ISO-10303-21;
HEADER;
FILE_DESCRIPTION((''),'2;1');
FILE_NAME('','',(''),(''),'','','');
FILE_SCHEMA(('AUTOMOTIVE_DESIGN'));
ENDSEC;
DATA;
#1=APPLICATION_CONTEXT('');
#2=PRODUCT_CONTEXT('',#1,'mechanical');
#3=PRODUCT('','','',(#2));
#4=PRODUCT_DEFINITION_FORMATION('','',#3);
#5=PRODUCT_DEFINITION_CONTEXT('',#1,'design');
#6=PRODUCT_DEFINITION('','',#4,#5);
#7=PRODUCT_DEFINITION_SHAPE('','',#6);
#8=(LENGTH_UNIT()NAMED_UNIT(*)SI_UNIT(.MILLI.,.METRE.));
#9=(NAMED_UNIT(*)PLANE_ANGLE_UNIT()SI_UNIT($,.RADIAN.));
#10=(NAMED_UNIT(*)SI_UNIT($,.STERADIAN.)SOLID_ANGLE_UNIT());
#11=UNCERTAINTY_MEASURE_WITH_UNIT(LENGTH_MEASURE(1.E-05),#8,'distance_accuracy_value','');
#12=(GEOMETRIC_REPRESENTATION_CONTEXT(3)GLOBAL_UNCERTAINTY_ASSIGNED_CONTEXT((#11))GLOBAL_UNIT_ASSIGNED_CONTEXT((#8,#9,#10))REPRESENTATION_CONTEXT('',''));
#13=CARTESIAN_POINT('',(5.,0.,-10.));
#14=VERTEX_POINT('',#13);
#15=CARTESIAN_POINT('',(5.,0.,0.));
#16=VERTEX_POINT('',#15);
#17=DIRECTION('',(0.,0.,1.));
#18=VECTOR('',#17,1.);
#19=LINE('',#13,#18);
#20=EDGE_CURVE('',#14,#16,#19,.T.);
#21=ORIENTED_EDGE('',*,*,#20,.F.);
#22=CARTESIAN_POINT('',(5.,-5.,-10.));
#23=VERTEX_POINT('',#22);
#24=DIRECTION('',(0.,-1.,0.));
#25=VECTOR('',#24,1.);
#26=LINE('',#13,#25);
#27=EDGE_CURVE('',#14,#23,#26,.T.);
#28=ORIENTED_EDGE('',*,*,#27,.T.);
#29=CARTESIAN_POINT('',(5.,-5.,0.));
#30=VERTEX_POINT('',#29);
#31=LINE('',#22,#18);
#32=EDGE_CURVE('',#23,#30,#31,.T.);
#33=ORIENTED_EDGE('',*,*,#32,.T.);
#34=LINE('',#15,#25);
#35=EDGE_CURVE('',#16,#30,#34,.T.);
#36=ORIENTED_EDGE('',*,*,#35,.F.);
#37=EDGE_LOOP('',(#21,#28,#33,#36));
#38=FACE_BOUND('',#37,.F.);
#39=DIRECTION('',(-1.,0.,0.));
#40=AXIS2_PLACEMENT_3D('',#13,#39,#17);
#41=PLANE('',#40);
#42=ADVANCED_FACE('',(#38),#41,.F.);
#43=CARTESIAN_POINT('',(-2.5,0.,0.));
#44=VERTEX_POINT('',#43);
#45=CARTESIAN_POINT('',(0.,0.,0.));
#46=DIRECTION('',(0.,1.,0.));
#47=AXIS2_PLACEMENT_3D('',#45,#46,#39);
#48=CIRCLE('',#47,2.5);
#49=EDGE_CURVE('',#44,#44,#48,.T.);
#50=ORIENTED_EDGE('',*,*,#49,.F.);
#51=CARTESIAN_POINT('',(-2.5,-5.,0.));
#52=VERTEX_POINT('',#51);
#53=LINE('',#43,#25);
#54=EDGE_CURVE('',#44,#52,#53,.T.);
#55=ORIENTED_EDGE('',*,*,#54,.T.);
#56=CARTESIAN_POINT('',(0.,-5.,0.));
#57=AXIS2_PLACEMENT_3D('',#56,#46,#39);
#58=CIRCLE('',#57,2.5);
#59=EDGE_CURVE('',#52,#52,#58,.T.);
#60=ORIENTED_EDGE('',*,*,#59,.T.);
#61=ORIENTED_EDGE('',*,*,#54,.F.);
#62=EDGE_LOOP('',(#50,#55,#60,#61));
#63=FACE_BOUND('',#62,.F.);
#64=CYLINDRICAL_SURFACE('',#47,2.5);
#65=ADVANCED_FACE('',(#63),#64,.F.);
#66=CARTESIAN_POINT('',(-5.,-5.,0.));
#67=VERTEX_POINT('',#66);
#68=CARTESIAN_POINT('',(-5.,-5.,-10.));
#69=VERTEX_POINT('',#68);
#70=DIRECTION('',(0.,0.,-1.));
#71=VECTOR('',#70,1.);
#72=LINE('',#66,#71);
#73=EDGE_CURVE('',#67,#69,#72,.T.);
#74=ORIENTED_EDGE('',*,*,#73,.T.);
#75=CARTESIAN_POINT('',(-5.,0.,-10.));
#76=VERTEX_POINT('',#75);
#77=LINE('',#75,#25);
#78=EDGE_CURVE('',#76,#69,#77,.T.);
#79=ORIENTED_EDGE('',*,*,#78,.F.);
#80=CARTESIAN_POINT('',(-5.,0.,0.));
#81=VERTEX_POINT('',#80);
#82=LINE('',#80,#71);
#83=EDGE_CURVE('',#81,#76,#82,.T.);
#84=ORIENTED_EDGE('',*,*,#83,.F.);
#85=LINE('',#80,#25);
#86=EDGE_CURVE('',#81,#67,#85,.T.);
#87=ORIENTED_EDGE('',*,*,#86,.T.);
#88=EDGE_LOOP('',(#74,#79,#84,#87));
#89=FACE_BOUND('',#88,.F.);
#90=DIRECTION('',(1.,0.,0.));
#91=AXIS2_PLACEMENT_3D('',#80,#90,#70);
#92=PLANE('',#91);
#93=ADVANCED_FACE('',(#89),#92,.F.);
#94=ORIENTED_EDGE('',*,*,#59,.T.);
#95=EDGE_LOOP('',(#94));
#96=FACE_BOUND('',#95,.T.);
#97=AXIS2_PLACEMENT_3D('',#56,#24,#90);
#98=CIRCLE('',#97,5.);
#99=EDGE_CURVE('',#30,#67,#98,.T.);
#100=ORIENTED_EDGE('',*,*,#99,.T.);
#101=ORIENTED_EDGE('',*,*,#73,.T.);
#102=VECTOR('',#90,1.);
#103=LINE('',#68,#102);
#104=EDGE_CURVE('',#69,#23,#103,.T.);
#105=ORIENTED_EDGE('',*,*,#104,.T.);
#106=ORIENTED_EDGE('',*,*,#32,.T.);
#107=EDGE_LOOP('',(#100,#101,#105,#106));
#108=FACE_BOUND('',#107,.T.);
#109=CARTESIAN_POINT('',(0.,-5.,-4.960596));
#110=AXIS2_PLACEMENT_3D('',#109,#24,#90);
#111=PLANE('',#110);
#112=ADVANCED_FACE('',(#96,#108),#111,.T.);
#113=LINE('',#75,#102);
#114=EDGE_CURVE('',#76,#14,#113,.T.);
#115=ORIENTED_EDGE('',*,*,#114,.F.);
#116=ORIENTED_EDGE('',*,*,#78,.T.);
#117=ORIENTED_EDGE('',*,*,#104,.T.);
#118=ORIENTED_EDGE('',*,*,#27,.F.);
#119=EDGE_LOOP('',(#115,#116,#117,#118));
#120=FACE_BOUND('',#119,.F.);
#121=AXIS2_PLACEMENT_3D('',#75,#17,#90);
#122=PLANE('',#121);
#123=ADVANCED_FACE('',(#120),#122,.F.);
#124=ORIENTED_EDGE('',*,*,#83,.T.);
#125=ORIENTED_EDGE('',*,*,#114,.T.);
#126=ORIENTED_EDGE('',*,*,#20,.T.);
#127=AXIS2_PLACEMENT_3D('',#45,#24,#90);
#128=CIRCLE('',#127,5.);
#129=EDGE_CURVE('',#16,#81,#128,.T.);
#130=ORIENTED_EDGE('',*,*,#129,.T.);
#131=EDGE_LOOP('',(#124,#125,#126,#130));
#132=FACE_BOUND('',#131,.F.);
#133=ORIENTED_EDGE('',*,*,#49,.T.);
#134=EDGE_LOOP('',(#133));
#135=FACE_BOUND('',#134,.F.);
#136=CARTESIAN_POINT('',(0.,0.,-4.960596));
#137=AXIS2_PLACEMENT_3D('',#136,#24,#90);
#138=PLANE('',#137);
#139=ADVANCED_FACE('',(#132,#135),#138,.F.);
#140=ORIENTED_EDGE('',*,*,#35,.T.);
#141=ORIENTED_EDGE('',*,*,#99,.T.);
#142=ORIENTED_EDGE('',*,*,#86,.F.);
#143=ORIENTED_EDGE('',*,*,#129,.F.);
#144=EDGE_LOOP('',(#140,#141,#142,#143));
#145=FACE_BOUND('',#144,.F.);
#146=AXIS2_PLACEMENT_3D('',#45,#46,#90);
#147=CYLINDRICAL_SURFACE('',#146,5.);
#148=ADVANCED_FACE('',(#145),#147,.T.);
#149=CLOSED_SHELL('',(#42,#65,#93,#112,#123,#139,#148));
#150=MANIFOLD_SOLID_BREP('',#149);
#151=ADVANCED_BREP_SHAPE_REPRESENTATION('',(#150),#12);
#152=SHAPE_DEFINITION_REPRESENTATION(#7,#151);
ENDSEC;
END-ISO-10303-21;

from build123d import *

# Parameters (mm, degrees)
F1_DEPTH = 5


with BuildPart() as f1:
    # F0 (on Front) → F1 (new body)
    with BuildSketch(Plane.XZ):
        with BuildLine():
            Line((5, 0), (2.5, 0))
            ThreePointArc((2.5, 0), (0, -2.5), (-2.5, 0))
            Line((-2.5, 0), (-5, 0))
            Line((-5, 0), (-5, -10))
            Line((-5, -10), (5, -10))
            Line((5, -10), (5, 0))
        make_face()
        with BuildLine():
            ThreePointArc((-2.5, 0), (0, 2.5), (2.5, 0))
            Line((2.5, 0), (5, 0))
            ThreePointArc((5, 0), (0, 5), (-5, 0))
            Line((-5, 0), (-2.5, 0))
        make_face()
    extrude(amount=F1_DEPTH)


solid = f1.part
